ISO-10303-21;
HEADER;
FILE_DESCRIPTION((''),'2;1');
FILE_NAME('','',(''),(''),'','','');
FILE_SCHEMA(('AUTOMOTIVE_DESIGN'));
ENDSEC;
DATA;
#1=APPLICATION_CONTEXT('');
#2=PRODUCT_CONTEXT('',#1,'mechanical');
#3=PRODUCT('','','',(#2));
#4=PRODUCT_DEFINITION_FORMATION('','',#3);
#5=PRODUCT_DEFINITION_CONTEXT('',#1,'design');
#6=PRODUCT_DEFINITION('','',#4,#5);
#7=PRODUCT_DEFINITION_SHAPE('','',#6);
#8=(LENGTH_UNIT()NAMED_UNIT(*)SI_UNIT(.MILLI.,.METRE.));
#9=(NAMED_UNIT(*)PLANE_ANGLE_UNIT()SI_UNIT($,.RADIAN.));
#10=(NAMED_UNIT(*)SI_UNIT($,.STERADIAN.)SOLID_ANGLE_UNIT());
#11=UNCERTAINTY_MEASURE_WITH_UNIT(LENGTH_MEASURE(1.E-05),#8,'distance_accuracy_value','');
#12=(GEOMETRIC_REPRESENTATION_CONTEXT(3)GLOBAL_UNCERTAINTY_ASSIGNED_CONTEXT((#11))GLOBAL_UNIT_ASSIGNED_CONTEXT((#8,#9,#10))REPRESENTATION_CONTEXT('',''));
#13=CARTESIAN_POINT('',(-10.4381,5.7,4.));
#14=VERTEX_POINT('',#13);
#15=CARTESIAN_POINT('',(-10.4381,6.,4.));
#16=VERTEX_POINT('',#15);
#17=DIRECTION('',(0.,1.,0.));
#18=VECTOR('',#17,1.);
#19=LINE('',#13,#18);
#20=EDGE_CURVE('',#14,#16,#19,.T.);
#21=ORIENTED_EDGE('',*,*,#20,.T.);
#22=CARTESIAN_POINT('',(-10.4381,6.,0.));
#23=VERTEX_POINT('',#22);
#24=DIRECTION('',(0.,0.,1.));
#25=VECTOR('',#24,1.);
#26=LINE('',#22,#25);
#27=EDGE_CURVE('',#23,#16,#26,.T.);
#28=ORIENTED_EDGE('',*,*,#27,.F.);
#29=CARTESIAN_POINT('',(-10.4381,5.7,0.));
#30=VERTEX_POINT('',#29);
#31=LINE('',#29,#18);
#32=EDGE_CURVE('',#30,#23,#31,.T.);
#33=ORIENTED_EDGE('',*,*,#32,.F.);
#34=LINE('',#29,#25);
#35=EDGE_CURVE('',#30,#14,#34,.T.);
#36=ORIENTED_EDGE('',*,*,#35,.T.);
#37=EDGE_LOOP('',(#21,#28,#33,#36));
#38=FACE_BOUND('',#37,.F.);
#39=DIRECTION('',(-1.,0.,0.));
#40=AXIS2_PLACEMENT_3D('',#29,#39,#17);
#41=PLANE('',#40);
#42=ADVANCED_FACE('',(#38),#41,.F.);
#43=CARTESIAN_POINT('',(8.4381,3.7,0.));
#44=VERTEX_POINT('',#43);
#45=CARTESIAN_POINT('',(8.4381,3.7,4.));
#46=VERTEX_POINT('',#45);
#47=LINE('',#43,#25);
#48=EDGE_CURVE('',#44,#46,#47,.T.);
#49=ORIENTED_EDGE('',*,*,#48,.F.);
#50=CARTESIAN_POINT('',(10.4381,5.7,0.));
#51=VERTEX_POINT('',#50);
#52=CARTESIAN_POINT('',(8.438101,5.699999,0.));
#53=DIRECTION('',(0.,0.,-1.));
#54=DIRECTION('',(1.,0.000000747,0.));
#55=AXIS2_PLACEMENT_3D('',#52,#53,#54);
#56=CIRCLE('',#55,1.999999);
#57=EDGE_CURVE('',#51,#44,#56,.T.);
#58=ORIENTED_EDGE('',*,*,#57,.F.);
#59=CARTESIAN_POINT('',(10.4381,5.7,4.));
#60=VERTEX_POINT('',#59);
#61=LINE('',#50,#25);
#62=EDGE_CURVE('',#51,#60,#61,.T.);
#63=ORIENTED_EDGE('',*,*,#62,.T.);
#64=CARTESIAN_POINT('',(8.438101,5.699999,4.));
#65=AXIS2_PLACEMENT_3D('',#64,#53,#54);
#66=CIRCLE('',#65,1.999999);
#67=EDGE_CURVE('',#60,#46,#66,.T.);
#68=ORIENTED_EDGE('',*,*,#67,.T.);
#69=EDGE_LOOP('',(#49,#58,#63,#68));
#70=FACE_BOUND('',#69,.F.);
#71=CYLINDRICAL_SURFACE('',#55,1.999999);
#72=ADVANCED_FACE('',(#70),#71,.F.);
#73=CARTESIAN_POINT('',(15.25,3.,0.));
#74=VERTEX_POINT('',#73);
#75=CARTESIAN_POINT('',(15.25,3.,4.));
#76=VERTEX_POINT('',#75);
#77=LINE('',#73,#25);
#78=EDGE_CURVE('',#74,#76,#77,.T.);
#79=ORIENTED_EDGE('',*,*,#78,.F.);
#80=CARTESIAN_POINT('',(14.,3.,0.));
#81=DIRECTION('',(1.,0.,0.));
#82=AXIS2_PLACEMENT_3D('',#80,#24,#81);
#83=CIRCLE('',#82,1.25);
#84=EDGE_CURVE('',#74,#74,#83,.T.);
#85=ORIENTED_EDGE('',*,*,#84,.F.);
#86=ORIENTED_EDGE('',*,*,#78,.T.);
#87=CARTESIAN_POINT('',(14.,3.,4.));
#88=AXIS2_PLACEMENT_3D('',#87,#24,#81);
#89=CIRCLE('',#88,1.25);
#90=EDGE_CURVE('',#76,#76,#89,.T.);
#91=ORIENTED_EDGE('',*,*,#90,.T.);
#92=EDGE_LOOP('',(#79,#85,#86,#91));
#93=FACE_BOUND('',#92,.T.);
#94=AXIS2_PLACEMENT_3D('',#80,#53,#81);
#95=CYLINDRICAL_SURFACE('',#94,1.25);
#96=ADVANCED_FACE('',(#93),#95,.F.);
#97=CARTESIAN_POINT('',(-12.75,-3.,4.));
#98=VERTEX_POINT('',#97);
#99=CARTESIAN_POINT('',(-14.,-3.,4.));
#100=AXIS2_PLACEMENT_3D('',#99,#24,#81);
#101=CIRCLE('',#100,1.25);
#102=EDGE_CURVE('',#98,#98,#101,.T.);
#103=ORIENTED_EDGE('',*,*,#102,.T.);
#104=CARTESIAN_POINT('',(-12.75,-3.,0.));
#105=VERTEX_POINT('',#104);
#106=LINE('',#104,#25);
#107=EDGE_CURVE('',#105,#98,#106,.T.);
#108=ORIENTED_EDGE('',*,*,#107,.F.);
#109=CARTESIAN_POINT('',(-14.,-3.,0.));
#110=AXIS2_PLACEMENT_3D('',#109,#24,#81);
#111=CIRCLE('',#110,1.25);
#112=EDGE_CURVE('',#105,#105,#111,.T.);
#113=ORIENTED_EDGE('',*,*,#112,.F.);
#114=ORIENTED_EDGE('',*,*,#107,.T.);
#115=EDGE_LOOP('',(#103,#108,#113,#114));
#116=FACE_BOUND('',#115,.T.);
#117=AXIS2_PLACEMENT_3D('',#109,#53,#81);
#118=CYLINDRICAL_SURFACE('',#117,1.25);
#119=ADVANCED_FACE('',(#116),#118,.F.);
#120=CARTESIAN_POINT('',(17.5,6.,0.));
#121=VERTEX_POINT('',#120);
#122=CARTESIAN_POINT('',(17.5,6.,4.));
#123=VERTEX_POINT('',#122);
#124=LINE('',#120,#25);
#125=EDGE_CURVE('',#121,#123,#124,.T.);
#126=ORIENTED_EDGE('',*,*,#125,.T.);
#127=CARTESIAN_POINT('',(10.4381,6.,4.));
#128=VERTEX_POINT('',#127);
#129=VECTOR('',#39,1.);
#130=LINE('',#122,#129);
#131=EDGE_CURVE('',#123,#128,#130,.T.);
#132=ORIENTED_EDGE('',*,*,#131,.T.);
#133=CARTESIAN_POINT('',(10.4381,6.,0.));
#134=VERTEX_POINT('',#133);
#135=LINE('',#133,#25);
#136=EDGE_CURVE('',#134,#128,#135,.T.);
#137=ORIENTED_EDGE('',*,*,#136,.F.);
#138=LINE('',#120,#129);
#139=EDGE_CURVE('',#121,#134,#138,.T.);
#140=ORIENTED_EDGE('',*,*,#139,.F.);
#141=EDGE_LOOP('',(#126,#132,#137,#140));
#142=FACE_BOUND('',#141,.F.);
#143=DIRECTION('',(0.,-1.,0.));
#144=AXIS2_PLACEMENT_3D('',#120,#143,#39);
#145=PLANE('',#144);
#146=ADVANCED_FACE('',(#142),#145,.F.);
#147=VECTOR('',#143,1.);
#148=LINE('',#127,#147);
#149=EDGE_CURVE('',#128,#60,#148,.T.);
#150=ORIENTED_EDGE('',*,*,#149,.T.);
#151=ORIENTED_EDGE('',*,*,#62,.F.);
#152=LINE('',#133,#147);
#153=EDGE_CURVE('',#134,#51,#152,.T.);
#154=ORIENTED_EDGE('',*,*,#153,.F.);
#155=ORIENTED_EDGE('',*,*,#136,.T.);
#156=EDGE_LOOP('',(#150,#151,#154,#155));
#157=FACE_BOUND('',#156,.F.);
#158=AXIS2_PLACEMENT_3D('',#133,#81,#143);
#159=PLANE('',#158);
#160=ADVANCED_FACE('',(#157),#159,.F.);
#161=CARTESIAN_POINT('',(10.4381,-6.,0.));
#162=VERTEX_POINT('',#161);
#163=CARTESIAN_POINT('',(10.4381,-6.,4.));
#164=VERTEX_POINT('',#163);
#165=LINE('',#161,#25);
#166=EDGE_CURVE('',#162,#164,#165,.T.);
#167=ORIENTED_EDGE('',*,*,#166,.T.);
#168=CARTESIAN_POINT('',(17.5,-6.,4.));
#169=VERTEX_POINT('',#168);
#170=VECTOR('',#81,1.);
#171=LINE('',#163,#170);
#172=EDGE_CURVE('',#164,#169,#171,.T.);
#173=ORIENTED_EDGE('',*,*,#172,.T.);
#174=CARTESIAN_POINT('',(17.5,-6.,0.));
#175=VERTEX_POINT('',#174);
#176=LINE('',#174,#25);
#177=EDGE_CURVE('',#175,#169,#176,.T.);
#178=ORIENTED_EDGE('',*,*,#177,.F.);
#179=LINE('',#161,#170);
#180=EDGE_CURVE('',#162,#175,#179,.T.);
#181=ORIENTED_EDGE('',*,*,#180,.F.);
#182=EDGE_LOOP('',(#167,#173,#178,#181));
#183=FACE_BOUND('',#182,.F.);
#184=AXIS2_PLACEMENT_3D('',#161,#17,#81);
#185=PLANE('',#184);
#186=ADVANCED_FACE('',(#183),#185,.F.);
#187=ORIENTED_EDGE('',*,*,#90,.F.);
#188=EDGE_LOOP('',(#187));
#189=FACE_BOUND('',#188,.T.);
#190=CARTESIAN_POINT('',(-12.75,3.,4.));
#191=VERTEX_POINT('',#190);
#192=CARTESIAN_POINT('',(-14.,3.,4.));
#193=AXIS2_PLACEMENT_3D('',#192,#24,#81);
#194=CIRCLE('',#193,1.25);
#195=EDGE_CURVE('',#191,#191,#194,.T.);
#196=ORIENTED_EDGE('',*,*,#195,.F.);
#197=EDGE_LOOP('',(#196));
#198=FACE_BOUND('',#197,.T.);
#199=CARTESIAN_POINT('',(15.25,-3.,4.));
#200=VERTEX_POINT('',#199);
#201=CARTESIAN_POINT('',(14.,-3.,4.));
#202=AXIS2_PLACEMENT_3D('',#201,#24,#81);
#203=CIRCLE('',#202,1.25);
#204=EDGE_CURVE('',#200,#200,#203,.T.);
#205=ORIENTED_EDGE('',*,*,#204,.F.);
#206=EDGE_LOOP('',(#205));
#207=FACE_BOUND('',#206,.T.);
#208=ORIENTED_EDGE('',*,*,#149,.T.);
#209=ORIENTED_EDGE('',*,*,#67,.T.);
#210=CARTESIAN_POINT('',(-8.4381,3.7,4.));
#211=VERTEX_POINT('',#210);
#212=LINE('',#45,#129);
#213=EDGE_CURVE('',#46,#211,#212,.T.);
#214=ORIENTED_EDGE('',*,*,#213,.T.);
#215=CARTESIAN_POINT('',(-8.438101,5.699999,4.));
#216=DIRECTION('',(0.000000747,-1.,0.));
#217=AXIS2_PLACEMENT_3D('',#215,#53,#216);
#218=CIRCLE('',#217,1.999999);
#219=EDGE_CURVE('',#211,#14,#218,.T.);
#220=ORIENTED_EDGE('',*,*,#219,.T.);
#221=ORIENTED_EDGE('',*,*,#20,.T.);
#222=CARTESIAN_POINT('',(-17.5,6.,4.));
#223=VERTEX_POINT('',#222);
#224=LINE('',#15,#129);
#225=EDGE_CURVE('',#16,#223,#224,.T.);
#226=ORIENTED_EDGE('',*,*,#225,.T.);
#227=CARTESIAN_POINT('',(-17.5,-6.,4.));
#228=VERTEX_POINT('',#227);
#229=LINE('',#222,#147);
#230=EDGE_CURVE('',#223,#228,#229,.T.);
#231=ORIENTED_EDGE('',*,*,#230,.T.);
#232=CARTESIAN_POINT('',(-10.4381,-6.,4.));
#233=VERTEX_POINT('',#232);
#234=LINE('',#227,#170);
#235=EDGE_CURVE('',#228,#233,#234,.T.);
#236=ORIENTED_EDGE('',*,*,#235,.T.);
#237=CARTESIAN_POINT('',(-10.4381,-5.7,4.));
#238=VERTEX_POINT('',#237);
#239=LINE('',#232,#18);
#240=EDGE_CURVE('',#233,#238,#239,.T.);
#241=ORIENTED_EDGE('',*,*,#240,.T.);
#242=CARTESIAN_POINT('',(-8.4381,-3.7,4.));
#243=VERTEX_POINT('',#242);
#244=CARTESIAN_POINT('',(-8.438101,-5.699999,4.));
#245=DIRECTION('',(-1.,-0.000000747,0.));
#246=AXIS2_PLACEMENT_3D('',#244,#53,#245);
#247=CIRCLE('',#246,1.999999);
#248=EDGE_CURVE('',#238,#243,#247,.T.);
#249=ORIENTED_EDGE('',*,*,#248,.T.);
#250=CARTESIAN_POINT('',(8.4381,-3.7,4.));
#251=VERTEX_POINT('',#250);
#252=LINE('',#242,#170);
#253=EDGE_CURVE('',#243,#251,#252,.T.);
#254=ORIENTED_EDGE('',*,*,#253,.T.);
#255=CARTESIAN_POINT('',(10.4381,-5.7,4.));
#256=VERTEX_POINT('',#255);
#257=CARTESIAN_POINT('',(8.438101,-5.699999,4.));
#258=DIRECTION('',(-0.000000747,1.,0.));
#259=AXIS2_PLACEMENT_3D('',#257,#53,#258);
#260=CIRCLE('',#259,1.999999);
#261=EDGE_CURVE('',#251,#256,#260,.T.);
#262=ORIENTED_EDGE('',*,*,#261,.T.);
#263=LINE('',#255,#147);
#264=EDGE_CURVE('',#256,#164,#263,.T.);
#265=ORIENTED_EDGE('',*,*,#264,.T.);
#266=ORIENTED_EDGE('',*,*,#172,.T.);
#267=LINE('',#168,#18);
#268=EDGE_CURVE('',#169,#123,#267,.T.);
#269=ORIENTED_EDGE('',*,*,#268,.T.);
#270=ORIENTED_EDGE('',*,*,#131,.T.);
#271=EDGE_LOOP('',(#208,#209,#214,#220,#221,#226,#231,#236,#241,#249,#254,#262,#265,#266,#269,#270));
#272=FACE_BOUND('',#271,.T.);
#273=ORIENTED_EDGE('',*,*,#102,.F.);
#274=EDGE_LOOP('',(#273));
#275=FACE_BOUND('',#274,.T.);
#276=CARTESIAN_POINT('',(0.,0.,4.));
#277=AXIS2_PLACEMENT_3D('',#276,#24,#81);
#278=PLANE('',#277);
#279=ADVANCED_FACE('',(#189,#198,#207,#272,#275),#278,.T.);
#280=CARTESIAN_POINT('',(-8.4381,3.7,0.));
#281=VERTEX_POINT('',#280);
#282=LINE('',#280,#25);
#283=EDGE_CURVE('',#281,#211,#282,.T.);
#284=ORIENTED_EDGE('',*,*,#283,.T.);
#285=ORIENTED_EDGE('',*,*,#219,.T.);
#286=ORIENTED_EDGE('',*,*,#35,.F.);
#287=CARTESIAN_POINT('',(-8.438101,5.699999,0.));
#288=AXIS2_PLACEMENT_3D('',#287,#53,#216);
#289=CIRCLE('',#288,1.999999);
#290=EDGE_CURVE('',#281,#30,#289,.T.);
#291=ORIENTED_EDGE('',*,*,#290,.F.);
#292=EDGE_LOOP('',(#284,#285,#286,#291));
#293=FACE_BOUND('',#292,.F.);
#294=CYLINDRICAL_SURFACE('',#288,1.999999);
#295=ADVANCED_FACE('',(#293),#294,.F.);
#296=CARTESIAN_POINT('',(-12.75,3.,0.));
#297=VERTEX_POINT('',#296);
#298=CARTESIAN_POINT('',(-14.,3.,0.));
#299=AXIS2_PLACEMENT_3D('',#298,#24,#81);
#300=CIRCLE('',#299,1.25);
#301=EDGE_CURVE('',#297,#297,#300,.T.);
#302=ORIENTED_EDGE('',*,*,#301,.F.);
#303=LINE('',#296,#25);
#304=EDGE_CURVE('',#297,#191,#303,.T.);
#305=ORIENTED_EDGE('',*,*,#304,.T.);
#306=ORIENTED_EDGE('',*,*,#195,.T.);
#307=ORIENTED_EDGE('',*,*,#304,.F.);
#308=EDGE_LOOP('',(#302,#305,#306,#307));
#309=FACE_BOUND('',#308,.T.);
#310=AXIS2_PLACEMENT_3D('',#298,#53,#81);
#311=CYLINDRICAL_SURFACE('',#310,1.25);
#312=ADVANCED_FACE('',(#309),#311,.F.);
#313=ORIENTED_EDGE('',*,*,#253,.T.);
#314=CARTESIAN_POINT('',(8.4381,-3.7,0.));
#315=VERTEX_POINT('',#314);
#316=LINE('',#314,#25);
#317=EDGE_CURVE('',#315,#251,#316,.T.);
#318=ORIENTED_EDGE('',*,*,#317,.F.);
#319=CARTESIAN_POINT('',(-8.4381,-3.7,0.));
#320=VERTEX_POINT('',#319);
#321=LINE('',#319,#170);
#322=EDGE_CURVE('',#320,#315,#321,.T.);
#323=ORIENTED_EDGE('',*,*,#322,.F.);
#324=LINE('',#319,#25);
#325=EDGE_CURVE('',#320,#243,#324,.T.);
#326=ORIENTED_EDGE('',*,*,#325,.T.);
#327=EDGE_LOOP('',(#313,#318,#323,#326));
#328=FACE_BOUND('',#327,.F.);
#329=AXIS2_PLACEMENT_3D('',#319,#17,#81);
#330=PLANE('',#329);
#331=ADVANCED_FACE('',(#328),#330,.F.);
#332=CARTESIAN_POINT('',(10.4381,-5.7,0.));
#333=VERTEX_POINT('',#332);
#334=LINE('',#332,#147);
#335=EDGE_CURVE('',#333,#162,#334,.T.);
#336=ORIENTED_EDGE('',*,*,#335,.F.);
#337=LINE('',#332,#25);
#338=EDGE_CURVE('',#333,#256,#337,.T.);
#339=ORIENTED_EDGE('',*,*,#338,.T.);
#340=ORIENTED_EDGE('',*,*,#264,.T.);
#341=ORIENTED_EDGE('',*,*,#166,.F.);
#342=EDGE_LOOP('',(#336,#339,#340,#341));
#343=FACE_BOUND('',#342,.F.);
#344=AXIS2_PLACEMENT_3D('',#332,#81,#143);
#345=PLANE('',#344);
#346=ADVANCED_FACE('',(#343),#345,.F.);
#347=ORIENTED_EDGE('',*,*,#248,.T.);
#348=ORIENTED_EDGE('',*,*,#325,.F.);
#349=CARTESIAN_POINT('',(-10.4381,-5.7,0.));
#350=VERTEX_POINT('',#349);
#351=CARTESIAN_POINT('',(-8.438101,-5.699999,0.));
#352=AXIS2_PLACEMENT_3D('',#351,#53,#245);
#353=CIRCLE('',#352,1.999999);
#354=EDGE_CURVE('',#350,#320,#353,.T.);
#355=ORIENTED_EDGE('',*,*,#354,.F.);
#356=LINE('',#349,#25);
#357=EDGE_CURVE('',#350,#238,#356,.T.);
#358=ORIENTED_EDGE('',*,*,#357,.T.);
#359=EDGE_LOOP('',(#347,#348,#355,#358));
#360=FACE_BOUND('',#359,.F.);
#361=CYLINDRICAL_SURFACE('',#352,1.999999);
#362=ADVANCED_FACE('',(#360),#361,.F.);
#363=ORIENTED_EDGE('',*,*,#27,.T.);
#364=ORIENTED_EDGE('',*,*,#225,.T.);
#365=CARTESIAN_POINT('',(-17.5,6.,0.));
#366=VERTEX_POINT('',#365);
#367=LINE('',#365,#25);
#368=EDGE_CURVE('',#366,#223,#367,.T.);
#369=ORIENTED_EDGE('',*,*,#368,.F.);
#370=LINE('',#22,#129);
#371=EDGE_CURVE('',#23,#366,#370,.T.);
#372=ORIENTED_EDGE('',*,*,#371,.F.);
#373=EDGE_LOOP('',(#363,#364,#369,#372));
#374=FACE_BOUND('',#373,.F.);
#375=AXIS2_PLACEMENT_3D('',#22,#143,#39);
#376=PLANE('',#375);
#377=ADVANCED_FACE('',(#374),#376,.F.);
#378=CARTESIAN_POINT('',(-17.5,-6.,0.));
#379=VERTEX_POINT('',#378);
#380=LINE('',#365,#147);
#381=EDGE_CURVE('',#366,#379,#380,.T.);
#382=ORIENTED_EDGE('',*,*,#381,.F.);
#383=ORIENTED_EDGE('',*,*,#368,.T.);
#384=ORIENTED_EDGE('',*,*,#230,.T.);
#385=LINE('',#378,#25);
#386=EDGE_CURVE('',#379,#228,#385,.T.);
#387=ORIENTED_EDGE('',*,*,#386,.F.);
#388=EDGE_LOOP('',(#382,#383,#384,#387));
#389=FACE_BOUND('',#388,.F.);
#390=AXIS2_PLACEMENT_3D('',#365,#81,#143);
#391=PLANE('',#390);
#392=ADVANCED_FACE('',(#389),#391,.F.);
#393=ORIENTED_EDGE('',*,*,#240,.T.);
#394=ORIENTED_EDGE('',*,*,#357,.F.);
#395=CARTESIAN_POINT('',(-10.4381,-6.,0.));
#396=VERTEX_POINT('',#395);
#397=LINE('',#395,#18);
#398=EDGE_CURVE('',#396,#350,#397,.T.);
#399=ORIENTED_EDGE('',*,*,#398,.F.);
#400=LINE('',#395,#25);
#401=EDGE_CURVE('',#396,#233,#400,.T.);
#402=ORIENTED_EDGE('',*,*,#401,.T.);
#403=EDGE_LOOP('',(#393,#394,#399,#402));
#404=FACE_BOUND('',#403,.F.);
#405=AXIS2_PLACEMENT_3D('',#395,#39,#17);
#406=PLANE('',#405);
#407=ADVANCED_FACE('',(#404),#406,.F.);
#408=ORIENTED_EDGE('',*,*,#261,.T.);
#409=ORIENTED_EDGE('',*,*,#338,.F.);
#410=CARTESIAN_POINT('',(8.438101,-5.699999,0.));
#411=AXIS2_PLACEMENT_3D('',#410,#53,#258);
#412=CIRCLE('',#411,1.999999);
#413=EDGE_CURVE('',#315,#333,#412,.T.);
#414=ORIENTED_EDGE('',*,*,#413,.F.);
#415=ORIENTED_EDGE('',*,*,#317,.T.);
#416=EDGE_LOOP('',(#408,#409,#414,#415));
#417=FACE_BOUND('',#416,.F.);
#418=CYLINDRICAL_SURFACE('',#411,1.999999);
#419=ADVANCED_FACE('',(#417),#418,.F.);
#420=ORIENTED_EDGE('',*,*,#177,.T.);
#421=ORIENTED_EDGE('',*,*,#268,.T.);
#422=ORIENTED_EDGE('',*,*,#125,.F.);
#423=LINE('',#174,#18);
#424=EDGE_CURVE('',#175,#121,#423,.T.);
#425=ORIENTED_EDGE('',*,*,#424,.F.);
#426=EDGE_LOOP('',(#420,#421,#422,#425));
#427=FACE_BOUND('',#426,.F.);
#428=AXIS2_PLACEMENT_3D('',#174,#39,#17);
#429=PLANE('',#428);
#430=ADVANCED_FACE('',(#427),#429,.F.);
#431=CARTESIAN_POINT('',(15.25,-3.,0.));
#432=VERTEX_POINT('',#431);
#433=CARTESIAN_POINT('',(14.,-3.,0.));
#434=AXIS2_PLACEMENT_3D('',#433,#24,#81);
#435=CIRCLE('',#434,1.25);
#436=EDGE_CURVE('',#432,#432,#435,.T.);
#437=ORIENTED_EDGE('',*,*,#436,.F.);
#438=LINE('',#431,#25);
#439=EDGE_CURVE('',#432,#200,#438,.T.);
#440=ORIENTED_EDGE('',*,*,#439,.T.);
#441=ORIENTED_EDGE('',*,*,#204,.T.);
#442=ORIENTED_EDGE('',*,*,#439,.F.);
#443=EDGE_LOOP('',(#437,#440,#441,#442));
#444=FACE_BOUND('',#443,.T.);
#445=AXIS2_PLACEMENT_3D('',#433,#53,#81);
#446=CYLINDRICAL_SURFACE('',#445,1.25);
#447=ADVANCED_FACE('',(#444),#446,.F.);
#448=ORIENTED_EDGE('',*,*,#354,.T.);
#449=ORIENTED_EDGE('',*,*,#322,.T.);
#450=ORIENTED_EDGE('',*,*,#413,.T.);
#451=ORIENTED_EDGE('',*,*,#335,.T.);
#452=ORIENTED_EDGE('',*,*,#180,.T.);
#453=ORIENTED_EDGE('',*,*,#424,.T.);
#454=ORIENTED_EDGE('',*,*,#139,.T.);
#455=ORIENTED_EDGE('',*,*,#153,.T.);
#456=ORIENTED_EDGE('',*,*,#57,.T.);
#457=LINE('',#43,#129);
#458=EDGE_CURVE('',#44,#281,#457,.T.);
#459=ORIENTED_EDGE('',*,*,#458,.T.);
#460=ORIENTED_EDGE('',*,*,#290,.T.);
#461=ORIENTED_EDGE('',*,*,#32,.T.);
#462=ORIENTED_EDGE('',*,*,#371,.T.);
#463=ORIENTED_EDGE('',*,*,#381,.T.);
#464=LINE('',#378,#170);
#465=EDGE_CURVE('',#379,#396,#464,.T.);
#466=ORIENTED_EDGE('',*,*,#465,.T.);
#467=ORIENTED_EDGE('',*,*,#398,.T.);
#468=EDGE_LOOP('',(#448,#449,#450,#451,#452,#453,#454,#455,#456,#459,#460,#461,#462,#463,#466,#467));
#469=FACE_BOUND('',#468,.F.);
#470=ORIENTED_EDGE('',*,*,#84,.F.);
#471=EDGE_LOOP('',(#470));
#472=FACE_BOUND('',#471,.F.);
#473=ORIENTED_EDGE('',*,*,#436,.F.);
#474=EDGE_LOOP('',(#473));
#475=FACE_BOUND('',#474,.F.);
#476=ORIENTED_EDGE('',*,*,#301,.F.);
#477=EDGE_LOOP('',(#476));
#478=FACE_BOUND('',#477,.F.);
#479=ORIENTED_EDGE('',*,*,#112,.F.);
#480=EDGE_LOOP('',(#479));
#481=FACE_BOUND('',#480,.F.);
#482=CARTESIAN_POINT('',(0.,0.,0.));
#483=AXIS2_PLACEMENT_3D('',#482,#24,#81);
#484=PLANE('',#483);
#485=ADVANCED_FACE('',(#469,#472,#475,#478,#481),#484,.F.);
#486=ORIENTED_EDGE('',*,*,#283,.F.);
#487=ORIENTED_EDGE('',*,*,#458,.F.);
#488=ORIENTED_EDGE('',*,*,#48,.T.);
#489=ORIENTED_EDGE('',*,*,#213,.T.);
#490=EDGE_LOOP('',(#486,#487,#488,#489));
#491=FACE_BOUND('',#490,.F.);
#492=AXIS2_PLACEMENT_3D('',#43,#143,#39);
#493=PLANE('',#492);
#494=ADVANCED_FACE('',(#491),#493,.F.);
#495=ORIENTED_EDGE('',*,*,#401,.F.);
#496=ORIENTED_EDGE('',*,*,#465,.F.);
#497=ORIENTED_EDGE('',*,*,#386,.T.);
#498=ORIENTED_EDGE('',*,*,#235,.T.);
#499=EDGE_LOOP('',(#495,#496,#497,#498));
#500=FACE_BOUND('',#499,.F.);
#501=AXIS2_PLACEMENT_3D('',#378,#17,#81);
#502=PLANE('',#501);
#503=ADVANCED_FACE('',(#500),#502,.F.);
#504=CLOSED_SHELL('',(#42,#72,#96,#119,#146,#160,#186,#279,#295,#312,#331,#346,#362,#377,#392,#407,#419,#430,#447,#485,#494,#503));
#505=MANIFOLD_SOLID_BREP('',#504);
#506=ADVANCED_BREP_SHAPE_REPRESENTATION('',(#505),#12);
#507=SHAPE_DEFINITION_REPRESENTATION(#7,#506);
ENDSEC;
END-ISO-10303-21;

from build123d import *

# Parameters (mm, degrees)
F0_R     = 1.25
F1_DEPTH = 4


with BuildPart() as f1:
    # F0 (on Top) → F1 (new body)
    with BuildSketch(Plane.XY):
        with BuildLine():
            Line((-17.5, 0), (-17.5, -6))
            Line((-17.5, -6), (-10.4381, -6))
            Line((-10.4381, -6), (-10.4381, -5.7))
            ThreePointArc((-10.4381, -5.7), (-9.852314, -4.285786), (-8.4381, -3.7))
            Line((-8.4381, -3.7), (-1.488885, -3.7))
            Line((-1.488885, -3.7), (0, -3.7))
            Line((0, -3.7), (1.488885, -3.7))
            Line((1.488885, -3.7), (8.4381, -3.7))
            ThreePointArc((8.4381, -3.7), (9.852314, -4.285786), (10.4381, -5.7))
            Line((10.4381, -5.7), (10.4381, -6))
            Line((10.4381, -6), (17.5, -6))
            Line((17.5, -6), (17.5, 0))
            Line((17.5, 0), (17.5, 6))
            Line((17.5, 6), (10.4381, 6))
            Line((10.4381, 6), (10.4381, 5.7))
            ThreePointArc((10.4381, 5.7), (9.852314, 4.285786), (8.4381, 3.7))
            Line((8.4381, 3.7), (1.488885, 3.7))
            Line((1.488885, 3.7), (0, 3.7))
            Line((0, 3.7), (-1.488885, 3.7))
            Line((-1.488885, 3.7), (-8.4381, 3.7))
            ThreePointArc((-8.4381, 3.7), (-9.852314, 4.285786), (-10.4381, 5.7))
            Line((-10.4381, 5.7), (-10.4381, 6))
            Line((-10.4381, 6), (-17.5, 6))
            Line((-17.5, 6), (-17.5, 0))
        make_face()
        with Locations((-14, -3)):
            Circle(F0_R, mode=Mode.SUBTRACT)
        with Locations((14, -3)):
            Circle(F0_R, mode=Mode.SUBTRACT)
        with Locations((-14, 3)):
            Circle(F0_R, mode=Mode.SUBTRACT)
        with Locations((14, 3)):
            Circle(F0_R, mode=Mode.SUBTRACT)
    extrude(amount=F1_DEPTH)


solid = f1.part
